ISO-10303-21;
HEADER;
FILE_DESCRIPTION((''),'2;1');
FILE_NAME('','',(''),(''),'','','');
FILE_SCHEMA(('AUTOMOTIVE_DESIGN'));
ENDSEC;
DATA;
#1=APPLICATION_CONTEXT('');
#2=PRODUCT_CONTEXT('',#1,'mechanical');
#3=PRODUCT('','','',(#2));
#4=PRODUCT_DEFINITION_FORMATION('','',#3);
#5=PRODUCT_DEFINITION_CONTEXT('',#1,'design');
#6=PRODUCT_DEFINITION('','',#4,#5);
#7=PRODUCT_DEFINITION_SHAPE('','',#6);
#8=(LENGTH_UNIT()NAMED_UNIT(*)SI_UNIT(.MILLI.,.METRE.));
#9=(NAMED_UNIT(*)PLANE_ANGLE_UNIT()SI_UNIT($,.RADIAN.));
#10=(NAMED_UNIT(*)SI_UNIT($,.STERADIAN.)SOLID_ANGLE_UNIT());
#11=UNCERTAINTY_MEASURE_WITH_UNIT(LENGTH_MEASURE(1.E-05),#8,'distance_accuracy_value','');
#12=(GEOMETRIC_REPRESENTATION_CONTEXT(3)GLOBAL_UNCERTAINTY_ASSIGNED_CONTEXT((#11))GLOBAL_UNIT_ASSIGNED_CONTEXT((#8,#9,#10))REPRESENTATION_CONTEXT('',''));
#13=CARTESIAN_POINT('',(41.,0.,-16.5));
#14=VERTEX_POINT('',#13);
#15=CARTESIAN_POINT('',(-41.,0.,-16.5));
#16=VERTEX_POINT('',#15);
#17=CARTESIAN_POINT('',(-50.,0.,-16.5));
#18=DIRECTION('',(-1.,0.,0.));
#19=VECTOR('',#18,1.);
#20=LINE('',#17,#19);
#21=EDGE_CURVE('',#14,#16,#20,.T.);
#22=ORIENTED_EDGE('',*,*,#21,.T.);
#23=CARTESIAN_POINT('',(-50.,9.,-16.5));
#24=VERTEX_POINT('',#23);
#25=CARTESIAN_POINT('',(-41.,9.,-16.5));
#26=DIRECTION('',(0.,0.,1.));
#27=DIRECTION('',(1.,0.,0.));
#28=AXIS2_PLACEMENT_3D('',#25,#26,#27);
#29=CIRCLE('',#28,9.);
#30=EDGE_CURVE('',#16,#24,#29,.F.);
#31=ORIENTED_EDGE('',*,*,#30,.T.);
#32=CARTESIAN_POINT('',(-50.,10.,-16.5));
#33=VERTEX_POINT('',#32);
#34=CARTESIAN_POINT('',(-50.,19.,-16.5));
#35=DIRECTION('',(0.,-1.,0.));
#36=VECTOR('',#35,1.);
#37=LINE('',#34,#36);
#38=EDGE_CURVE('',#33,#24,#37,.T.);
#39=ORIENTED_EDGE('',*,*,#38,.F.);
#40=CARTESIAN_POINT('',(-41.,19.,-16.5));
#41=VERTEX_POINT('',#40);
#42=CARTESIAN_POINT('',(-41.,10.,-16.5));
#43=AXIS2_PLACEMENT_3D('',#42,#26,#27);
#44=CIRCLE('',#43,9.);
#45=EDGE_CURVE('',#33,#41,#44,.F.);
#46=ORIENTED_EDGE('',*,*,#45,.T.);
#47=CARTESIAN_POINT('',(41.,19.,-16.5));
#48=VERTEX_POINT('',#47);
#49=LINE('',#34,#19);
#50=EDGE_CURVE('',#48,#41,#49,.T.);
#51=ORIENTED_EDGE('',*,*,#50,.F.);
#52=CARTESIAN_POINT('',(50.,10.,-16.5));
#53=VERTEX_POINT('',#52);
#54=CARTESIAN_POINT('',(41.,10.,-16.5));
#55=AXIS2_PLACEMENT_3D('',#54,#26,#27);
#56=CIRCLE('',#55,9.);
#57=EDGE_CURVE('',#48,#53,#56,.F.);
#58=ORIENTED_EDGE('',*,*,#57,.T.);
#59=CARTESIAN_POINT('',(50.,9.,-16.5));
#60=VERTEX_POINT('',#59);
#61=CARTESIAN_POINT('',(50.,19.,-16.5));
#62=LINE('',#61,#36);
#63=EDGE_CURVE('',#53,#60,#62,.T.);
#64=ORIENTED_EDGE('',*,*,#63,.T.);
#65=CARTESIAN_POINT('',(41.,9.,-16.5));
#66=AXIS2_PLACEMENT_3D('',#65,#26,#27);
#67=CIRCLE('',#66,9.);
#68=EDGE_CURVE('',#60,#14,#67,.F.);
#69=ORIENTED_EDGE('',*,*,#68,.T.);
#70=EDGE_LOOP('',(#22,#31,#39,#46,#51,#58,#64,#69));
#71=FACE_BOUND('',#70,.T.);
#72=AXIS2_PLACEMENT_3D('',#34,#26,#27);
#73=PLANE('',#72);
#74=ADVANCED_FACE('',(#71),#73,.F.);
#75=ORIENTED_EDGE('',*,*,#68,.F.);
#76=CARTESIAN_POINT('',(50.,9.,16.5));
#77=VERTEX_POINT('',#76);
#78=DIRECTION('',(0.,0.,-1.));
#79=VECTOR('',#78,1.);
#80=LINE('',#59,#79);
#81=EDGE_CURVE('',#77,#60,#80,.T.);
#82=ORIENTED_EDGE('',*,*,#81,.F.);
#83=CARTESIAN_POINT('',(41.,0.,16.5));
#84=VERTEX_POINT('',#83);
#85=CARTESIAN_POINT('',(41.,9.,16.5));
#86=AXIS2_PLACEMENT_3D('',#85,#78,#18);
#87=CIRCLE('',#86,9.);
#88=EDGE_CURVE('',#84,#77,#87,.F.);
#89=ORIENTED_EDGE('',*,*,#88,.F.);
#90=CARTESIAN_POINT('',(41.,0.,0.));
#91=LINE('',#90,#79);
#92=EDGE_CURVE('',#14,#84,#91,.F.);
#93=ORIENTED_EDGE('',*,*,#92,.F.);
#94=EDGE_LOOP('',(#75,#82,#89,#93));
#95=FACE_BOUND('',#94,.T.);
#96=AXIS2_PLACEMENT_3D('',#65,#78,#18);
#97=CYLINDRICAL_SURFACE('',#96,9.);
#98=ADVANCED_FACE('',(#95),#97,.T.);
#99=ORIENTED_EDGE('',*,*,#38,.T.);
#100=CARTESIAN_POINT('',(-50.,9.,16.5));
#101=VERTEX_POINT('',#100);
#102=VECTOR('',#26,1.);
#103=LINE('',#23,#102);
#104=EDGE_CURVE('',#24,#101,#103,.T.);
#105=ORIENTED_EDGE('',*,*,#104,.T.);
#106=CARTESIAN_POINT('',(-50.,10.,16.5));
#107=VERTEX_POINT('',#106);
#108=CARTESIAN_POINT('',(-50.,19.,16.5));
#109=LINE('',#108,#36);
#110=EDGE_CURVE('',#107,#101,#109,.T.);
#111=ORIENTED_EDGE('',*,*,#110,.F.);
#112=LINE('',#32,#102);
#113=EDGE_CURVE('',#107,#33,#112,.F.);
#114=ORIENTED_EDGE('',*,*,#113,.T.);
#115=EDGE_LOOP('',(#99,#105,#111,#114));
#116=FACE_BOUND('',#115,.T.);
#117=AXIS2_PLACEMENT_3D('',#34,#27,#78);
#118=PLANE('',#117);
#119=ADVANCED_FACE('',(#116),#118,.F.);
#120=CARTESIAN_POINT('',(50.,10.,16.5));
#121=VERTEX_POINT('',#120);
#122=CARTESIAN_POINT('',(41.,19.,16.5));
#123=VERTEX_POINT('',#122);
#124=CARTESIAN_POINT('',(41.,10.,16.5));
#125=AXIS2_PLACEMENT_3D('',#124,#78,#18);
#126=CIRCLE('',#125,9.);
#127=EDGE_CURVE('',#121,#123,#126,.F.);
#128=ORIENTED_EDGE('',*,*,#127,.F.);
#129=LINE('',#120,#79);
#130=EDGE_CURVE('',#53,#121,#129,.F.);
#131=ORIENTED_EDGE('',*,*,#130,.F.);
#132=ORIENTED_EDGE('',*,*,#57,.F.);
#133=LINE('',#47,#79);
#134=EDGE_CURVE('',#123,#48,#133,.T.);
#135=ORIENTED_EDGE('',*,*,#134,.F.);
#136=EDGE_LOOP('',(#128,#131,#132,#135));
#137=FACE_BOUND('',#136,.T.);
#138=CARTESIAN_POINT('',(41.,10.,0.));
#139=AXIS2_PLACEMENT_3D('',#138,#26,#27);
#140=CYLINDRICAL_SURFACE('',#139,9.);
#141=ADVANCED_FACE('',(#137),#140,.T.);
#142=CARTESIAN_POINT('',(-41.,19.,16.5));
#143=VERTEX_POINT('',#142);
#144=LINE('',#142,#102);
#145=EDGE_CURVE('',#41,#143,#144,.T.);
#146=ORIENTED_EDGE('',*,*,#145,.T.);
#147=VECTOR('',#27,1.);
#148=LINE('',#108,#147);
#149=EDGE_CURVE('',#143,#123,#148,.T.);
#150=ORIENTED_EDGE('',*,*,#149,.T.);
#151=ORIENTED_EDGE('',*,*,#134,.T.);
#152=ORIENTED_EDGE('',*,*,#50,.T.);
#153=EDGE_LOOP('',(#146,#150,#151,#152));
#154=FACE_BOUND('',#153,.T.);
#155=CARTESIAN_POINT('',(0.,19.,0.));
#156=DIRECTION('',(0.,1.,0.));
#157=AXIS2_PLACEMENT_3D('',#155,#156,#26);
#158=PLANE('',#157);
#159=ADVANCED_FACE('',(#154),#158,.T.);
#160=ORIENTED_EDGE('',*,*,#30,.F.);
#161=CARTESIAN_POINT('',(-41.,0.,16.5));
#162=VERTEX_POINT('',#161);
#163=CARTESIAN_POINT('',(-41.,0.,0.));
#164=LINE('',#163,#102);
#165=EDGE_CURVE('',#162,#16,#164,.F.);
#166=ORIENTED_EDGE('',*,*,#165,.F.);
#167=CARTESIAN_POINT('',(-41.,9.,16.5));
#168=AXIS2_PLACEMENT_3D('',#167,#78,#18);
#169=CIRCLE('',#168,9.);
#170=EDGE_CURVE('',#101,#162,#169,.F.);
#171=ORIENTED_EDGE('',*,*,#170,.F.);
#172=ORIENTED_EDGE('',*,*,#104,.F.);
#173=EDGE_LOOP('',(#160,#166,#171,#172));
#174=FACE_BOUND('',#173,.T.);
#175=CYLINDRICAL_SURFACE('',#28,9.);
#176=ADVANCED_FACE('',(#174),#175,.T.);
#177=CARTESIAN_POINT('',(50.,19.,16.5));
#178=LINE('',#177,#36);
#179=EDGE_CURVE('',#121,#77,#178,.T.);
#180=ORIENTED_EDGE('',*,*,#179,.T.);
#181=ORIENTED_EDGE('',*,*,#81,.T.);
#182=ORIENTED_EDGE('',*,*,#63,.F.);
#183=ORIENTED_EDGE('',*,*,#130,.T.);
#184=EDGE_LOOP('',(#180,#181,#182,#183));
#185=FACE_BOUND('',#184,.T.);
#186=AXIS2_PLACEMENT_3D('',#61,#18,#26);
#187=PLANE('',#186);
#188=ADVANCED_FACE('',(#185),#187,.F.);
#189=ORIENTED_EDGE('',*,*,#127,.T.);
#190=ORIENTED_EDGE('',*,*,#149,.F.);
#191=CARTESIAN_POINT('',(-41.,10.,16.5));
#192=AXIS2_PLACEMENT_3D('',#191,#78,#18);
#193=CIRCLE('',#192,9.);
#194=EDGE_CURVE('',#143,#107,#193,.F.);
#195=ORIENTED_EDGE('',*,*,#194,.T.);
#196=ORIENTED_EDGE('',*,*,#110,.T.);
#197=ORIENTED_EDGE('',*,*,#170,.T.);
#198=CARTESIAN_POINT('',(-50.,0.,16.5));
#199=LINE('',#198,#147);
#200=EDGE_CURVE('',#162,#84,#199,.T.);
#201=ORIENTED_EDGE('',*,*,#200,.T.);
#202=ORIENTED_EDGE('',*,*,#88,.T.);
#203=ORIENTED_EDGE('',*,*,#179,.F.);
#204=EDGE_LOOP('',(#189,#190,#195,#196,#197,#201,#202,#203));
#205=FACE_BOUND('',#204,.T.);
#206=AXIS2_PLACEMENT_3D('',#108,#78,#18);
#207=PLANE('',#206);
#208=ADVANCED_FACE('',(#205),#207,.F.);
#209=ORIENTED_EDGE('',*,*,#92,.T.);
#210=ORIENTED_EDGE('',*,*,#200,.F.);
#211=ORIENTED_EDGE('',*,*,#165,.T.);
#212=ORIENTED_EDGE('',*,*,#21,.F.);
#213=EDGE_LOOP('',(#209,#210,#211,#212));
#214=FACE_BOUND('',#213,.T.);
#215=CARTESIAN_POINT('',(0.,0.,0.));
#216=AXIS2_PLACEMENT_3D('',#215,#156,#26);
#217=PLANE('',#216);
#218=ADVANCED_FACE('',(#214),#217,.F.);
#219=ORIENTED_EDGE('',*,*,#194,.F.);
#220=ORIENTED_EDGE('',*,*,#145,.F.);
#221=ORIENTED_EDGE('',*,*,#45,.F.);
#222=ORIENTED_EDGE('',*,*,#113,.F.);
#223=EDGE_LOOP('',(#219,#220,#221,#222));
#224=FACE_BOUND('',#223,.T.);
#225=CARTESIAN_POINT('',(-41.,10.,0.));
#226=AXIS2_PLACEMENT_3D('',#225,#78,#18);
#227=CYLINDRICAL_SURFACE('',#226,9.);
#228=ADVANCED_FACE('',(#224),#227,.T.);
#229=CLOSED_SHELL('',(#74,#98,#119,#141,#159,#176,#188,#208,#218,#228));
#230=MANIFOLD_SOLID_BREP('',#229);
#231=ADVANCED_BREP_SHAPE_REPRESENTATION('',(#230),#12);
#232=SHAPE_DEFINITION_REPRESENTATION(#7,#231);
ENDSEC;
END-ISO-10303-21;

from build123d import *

# Parameters (mm, degrees)
SKETCH1_W           = 100
SKETCH1_H           = 33
BOSS_EXTRUDE1_DEPTH = 19
FILLET1_R           = 9


with BuildPart() as part:
    # Sketch1 → Boss-Extrude1 (new body)
    with BuildSketch(Plane(origin=(0, 0, 0), x_dir=(1, 0, 0), z_dir=(0, 1, 0))):
        Rectangle(SKETCH1_W, SKETCH1_H)
    extrude(amount=BOSS_EXTRUDE1_DEPTH)

    # Fillet1
    fillet1_edges = [part.edges().sort_by_distance(p)[0] for p in [
        (-50, 19, 0),
        (50, 19, 0),
        (-50, 0, 0),
        (50, 0, 0),
    ]]
    fillet(fillet1_edges, radius=FILLET1_R)


solid = part.part
